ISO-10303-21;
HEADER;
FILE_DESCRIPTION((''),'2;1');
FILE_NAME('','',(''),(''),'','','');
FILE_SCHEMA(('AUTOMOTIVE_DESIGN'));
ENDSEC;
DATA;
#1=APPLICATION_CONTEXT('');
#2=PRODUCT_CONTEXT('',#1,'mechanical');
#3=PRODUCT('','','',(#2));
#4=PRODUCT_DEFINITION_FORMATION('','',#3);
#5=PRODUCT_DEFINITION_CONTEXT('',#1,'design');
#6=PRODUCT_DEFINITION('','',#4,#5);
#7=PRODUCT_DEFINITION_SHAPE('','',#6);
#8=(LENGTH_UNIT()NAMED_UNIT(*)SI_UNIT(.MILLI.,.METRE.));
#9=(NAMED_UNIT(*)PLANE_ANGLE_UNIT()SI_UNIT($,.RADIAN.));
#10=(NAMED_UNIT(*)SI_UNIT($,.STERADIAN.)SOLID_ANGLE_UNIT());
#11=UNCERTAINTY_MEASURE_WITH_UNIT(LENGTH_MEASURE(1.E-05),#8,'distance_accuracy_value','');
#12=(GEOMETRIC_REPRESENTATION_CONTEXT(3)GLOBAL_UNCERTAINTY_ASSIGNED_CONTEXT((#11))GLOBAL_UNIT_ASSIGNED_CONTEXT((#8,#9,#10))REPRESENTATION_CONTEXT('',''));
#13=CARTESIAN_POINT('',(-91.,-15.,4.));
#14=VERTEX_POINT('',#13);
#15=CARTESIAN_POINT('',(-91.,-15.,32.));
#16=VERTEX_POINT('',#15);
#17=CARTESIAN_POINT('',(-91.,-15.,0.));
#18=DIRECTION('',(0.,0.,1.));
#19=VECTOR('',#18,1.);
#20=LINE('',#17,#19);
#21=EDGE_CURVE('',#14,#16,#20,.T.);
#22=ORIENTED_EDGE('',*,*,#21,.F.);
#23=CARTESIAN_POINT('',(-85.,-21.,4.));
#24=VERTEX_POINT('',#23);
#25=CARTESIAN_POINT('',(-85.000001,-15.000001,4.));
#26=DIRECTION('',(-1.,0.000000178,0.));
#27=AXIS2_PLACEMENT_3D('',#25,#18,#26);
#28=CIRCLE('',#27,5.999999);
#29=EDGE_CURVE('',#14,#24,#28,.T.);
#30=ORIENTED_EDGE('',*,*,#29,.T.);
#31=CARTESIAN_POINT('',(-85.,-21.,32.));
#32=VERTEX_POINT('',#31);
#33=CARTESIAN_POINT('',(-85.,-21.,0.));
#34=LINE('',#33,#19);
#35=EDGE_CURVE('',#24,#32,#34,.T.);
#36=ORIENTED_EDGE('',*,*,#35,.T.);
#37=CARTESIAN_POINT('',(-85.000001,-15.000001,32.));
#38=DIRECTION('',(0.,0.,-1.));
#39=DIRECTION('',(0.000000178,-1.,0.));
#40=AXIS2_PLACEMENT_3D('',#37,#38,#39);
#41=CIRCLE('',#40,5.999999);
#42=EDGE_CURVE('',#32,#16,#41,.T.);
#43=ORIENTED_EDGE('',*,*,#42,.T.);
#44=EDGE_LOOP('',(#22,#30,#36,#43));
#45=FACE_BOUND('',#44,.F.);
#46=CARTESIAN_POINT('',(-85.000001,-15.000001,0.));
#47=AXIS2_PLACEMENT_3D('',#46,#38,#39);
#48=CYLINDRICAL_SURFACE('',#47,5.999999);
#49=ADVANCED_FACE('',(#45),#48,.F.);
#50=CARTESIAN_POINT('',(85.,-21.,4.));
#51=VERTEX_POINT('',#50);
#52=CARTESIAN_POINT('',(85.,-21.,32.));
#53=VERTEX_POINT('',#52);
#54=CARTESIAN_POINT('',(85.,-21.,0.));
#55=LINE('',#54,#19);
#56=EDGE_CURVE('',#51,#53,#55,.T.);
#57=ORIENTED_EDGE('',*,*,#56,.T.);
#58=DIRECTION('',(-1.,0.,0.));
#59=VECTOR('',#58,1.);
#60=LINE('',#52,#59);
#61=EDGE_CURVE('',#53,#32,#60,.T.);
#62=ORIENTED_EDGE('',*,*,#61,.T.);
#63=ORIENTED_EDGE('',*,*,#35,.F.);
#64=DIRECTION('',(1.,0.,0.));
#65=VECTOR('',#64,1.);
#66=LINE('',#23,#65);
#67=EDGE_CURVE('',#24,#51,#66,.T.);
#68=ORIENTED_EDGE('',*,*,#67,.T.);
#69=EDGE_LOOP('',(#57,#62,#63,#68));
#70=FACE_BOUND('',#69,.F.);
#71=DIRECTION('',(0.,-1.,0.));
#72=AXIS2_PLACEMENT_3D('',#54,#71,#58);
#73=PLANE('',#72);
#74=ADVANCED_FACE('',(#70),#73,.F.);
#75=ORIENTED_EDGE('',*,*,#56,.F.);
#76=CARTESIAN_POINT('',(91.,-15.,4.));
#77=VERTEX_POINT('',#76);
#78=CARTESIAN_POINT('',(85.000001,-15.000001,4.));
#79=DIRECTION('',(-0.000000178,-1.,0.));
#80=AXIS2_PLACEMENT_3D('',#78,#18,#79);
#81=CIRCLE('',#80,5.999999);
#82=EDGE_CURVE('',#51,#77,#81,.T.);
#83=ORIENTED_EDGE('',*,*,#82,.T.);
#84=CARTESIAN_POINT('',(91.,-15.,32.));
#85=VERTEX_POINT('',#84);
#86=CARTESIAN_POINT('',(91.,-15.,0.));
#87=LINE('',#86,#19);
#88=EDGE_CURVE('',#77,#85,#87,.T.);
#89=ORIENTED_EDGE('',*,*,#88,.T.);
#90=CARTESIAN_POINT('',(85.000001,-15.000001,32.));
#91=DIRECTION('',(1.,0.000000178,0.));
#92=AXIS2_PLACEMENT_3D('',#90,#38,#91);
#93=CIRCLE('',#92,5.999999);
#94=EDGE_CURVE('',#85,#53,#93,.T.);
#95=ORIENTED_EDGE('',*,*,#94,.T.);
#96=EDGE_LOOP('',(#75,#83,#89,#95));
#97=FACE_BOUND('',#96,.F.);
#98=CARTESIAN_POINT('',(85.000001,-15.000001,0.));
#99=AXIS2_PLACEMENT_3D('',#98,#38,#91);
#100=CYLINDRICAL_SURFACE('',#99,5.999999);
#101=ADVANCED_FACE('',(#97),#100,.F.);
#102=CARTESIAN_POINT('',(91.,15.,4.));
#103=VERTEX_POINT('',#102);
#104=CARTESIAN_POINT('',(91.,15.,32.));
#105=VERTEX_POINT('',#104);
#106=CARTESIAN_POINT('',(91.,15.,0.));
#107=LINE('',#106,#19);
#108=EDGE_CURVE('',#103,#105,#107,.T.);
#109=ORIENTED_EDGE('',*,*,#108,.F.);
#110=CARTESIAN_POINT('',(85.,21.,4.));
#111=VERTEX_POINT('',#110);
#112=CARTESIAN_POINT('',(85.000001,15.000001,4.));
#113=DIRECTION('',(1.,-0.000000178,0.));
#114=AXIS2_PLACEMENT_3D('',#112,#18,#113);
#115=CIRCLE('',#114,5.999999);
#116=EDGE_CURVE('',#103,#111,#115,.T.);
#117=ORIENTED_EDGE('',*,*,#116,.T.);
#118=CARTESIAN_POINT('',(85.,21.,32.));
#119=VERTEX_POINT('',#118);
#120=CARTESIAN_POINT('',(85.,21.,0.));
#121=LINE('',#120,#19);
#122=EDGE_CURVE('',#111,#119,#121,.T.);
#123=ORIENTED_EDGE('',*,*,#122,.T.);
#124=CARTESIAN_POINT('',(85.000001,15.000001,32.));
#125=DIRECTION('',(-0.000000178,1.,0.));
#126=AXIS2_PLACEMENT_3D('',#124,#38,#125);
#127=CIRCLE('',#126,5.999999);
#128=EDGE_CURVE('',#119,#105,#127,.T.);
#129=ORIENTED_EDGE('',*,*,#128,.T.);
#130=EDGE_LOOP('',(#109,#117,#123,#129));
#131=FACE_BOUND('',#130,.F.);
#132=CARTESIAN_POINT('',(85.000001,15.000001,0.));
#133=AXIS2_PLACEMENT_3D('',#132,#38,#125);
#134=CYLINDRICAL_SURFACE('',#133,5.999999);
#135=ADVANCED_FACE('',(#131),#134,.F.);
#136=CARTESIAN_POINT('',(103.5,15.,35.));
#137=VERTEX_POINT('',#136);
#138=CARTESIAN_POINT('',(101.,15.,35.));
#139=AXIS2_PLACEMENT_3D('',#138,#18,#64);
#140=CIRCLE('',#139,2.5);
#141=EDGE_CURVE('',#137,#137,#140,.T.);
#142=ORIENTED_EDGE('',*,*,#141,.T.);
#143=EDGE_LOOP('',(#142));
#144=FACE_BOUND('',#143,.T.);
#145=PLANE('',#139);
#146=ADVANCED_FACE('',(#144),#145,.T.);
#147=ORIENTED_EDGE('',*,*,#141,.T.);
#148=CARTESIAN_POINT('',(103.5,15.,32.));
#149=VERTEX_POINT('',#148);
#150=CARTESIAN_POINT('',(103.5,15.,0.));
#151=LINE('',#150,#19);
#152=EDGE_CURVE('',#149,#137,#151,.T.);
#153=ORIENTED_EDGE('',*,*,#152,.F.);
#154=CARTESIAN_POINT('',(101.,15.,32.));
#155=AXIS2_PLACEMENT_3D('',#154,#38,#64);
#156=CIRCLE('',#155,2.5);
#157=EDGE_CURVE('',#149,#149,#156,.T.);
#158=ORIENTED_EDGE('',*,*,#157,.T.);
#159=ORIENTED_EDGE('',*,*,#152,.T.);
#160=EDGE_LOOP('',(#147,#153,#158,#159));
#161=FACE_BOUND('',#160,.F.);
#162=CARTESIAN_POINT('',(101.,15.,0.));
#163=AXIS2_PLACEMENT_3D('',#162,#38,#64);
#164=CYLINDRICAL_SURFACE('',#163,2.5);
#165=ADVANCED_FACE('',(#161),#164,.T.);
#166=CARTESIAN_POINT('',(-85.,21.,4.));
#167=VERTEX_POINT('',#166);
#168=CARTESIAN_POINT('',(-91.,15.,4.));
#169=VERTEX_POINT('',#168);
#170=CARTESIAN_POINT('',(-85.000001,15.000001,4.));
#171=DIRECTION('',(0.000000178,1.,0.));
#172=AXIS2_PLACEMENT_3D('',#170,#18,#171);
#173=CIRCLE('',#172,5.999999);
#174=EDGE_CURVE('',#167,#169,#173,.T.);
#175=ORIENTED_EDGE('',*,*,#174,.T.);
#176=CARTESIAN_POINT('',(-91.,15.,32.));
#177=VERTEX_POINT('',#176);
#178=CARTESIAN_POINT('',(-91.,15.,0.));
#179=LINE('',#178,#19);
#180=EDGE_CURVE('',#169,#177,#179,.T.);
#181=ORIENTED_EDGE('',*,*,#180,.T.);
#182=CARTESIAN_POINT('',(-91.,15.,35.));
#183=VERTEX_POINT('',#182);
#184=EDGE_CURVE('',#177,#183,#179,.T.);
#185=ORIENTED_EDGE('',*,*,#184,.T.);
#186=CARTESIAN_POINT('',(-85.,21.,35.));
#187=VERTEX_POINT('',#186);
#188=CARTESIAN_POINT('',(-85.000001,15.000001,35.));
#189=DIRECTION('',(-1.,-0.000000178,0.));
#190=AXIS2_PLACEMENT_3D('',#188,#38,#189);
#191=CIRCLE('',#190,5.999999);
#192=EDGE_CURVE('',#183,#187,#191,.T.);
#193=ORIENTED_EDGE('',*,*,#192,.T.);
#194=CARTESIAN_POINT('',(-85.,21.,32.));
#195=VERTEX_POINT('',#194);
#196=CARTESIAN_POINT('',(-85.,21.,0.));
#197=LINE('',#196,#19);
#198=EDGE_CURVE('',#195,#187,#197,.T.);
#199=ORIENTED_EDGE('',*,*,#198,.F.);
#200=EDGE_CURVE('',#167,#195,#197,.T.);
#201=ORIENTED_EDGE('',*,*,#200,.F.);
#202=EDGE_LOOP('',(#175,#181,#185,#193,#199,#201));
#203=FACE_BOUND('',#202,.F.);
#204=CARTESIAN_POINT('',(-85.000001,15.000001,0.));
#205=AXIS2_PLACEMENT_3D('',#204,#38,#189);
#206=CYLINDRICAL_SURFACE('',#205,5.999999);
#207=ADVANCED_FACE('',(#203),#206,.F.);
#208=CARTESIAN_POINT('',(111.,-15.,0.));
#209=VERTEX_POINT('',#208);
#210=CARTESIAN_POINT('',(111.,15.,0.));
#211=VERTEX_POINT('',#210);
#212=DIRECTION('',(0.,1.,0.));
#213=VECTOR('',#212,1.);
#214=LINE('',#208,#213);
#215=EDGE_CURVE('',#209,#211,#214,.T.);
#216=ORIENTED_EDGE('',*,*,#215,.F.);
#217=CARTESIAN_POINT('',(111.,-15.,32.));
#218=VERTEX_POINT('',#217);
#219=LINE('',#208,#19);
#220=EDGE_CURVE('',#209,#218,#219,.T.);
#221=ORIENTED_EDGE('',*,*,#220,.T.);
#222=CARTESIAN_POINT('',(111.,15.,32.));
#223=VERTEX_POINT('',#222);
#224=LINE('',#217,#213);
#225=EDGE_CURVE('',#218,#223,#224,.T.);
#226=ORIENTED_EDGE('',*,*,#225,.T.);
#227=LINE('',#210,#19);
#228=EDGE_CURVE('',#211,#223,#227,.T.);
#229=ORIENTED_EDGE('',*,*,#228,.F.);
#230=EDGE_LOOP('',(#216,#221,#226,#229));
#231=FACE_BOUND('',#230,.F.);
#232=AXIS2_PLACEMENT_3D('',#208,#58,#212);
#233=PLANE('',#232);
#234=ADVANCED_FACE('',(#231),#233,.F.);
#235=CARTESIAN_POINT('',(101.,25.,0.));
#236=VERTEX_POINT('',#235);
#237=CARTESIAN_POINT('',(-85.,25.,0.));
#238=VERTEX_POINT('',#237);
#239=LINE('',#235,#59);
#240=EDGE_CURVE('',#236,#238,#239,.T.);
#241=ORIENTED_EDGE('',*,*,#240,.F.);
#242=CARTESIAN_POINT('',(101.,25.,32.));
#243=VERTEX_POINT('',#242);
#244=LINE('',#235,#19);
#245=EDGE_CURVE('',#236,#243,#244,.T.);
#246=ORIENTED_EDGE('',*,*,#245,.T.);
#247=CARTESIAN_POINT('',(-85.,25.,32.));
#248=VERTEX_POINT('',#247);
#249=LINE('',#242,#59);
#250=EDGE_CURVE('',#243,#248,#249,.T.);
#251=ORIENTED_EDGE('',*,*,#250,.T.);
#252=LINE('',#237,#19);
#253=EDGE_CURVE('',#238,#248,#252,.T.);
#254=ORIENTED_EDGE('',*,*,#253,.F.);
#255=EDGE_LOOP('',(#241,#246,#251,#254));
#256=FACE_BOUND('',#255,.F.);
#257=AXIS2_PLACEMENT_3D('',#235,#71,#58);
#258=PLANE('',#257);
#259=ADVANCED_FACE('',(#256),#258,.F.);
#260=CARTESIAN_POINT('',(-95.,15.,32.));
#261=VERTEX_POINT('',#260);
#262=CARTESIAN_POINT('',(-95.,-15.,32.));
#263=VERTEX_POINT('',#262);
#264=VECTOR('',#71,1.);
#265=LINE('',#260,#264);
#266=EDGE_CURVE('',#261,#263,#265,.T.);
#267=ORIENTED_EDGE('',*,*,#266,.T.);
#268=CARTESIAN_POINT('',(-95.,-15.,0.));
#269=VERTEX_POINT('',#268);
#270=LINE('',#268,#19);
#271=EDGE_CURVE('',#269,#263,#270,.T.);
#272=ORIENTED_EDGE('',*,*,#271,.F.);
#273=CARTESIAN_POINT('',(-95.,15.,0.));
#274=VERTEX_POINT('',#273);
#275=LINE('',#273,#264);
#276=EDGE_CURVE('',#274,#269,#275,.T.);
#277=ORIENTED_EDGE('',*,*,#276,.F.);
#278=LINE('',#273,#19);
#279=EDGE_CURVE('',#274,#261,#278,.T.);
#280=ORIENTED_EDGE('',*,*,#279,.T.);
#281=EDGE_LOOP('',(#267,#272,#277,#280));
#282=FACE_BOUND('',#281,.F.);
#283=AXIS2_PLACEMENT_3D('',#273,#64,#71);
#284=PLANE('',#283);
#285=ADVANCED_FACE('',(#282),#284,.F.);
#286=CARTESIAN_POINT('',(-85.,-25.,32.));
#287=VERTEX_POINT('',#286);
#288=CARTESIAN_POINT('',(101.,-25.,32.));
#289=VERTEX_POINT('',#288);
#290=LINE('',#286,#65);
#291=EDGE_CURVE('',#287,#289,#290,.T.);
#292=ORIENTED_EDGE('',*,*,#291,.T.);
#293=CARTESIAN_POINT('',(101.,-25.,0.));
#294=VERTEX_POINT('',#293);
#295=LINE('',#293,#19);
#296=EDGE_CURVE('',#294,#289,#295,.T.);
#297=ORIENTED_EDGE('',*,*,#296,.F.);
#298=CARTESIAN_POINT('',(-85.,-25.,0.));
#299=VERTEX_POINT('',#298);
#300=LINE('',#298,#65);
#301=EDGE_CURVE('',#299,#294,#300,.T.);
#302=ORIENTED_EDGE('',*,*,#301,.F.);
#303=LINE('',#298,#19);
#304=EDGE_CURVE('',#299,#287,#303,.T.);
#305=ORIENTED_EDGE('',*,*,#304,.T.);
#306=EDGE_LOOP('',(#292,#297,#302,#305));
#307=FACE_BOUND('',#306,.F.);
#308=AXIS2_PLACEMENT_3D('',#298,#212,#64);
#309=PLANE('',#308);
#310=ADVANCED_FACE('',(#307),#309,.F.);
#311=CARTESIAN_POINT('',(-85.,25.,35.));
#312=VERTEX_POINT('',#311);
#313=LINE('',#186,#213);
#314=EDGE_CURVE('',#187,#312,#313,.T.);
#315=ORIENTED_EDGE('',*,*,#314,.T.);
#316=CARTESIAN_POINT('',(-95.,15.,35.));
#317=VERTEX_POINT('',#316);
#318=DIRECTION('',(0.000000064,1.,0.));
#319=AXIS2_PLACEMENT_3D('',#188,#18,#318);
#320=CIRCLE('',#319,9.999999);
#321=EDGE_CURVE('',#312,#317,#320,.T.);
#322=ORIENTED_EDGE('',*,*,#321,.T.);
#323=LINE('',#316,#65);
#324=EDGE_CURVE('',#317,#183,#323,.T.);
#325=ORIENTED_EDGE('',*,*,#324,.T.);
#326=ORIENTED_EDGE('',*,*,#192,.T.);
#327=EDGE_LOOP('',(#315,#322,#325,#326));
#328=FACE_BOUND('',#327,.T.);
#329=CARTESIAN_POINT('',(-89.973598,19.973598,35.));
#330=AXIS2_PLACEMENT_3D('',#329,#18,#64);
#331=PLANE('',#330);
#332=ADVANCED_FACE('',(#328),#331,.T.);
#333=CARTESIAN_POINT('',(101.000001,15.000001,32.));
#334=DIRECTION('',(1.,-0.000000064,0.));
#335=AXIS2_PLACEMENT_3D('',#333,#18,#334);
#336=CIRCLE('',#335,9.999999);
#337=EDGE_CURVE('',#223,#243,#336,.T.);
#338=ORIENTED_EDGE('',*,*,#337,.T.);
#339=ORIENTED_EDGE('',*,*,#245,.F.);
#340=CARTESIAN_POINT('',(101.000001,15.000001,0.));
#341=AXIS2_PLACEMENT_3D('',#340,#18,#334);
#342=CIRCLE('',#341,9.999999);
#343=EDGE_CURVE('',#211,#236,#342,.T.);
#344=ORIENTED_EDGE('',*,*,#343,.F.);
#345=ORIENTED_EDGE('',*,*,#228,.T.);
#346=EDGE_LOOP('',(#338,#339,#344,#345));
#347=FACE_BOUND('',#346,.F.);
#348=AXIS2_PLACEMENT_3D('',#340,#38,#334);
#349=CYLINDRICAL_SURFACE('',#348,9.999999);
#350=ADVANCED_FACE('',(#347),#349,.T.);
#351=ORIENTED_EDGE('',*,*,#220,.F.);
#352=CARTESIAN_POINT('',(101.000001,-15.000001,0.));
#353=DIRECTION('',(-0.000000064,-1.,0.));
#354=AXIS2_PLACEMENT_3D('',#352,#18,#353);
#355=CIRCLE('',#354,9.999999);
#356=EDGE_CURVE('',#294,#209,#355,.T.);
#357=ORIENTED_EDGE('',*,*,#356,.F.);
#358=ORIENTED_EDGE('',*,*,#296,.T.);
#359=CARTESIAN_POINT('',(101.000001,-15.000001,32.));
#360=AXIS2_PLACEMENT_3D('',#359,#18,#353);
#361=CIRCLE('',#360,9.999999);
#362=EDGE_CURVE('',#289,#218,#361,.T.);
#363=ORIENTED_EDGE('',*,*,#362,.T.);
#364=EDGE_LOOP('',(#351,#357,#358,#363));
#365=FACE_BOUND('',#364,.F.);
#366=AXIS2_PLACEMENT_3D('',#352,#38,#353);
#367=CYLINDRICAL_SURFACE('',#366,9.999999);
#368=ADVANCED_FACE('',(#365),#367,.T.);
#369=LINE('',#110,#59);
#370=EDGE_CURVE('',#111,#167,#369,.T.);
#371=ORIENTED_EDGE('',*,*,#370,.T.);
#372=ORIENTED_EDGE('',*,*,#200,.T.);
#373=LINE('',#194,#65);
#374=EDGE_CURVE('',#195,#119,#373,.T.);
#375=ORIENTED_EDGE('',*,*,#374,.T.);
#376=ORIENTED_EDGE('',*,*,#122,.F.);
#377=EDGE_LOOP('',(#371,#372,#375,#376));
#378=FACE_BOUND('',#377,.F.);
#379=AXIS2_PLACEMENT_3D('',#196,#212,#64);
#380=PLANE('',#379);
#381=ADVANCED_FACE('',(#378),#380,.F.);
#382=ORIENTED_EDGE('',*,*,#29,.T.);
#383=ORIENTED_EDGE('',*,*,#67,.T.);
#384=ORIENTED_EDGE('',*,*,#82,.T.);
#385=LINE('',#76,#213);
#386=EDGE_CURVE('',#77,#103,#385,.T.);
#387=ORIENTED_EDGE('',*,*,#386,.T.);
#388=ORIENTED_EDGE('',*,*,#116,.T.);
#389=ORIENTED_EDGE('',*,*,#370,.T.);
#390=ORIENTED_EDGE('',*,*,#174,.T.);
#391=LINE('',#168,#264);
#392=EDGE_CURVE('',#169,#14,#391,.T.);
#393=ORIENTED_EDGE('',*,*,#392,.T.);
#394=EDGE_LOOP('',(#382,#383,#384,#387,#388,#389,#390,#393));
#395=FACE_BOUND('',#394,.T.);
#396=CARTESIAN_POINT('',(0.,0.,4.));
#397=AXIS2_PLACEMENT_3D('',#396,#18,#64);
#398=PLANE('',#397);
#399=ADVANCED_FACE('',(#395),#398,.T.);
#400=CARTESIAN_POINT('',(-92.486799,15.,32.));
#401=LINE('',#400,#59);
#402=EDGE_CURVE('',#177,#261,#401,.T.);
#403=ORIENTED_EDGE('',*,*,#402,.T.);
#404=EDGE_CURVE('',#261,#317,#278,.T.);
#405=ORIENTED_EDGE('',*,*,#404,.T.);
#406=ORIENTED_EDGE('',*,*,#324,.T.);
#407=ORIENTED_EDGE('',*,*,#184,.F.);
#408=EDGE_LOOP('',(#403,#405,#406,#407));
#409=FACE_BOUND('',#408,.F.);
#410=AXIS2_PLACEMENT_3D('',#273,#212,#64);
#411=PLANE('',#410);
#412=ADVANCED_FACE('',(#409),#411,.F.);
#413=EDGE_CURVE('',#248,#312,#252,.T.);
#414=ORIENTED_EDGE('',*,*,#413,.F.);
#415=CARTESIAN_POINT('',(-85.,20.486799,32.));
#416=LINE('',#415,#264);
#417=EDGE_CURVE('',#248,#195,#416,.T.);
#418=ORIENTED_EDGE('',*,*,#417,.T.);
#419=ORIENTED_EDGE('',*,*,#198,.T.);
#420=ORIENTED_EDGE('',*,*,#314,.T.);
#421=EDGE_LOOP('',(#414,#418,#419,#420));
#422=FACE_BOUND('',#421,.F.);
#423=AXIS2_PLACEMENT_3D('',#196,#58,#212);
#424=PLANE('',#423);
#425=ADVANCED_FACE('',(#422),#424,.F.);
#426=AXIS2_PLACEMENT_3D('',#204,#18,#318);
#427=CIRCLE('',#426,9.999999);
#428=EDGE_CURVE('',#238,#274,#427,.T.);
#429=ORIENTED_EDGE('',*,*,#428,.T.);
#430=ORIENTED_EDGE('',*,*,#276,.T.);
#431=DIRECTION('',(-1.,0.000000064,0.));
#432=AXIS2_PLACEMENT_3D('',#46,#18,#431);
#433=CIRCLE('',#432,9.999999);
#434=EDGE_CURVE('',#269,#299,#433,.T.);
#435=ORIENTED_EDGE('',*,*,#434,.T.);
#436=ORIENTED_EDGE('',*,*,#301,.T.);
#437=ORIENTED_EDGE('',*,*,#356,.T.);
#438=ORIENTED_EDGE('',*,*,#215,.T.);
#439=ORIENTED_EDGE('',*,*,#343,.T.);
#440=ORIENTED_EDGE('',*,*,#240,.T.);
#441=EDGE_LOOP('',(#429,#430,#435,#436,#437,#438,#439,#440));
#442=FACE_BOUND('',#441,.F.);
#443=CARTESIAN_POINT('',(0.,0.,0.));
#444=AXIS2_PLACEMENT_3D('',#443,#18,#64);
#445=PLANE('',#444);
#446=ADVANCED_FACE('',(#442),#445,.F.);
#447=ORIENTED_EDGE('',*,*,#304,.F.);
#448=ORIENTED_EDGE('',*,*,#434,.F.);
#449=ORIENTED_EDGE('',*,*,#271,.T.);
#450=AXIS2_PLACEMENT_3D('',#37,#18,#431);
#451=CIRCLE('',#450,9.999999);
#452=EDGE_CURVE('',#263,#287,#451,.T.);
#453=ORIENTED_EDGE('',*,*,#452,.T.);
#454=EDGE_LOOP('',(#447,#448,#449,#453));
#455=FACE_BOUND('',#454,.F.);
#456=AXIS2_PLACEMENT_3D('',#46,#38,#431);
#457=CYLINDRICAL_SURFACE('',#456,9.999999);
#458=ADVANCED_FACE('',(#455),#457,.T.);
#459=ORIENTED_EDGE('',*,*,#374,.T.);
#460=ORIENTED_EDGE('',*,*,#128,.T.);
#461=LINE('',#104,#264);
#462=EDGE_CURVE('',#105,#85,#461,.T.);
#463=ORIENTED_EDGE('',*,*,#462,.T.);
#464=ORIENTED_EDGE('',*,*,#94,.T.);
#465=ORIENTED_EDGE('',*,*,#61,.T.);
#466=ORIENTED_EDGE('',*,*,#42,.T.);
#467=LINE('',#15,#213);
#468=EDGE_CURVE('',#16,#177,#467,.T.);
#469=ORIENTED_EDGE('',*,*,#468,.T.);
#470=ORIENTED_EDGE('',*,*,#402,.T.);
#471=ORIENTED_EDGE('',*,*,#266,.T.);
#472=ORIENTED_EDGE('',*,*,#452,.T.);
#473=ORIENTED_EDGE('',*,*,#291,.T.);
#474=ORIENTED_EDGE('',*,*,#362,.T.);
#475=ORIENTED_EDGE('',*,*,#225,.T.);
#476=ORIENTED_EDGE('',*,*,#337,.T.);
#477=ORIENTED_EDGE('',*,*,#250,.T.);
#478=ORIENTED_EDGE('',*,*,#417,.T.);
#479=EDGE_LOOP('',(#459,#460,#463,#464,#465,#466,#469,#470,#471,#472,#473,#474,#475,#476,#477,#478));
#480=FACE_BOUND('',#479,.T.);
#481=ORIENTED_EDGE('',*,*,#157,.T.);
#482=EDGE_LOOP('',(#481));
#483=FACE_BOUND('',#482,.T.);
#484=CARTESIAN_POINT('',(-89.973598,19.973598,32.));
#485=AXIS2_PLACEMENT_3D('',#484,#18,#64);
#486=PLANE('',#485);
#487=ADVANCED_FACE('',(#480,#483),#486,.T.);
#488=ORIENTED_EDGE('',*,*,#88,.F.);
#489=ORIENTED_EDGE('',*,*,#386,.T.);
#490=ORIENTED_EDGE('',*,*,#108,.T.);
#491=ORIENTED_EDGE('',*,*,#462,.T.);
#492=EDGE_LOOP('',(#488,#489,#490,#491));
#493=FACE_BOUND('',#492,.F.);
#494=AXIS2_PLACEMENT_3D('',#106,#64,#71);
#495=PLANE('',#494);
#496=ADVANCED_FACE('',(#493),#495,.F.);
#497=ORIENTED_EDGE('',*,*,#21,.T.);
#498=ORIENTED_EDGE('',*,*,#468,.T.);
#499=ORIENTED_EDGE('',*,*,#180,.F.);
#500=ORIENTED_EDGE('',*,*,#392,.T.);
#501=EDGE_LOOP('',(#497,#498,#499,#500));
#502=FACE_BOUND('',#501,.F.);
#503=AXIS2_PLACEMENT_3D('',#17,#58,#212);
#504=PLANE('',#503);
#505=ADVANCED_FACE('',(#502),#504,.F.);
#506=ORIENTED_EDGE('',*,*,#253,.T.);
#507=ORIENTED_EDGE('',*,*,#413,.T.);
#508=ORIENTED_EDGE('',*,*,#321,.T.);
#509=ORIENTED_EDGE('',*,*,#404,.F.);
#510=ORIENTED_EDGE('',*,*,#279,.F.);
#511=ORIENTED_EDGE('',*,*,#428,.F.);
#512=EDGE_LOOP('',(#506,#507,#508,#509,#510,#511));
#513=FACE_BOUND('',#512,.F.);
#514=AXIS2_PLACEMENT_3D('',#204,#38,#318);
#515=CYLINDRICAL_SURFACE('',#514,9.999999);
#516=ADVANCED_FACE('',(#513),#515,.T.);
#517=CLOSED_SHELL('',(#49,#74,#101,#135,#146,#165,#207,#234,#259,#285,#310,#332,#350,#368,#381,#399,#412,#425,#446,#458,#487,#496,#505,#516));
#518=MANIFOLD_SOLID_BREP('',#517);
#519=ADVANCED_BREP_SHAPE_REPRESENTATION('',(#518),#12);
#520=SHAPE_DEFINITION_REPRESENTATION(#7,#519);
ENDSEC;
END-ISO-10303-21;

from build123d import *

# Parameters (mm, degrees)
F0_R     = 2.5
F1_DEPTH = 32
F2_DEPTH = 35
F3_DEPTH = 4


with BuildPart() as f1:
    # F0 (on Top) → F1 (new body)
    with BuildSketch(Plane.XY):
        with BuildLine():
            Line((-95, 15), (-91, 15))
            ThreePointArc((-91, 15), (-89.242641, 19.242641), (-85, 21))
            Line((-85, 21), (-85, 25))
            ThreePointArc((-85, 25), (-92.071068, 22.071068), (-95, 15))
        make_face()
        with BuildLine():
            ThreePointArc((91, -15), (89.242641, -19.242641), (85, -21))
            Line((85, -21), (-85, -21))
            ThreePointArc((-85, -21), (-89.242641, -19.242641), (-91, -15))
            Line((-91, -15), (-91, 15))
            Line((-91, 15), (-95, 15))
            Line((-95, 15), (-95, -15))
            ThreePointArc((-95, -15), (-92.071068, -22.071068), (-85, -25))
            Line((-85, -25), (101, -25))
            ThreePointArc((101, -25), (108.071068, -22.071068), (111, -15))
            Line((111, -15), (111, 15))
            ThreePointArc((111, 15), (108.071068, 22.071068), (101, 25))
            Line((101, 25), (-85, 25))
            Line((-85, 25), (-85, 21))
            Line((-85, 21), (85, 21))
            ThreePointArc((85, 21), (89.242641, 19.242641), (91, 15))
            Line((91, 15), (91, -15))
        make_face()
        with Locations((101, 15)):
            Circle(F0_R, mode=Mode.SUBTRACT)
        with Locations((101, 15)):
            Circle(F0_R)
    extrude(amount=F1_DEPTH)

    # F0 (on Top) → F2 (join)
    with BuildSketch(Plane.XY):
        with BuildLine():
            Line((-95, 15), (-91, 15))
            ThreePointArc((-91, 15), (-89.242641, 19.242641), (-85, 21))
            Line((-85, 21), (-85, 25))
            ThreePointArc((-85, 25), (-92.071068, 22.071068), (-95, 15))
        make_face()
        with Locations((101, 15)):
            Circle(F0_R)
    extrude(amount=F2_DEPTH)

    # F0 (on Top) → F3 (join)
    with BuildSketch(Plane.XY):
        with BuildLine():
            Line((-85, -21), (85, -21))
            ThreePointArc((85, -21), (89.242641, -19.242641), (91, -15))
            Line((91, -15), (91, 15))
            ThreePointArc((91, 15), (89.242641, 19.242641), (85, 21))
            Line((85, 21), (-85, 21))
            ThreePointArc((-85, 21), (-89.242641, 19.242641), (-91, 15))
            Line((-91, 15), (-91, -15))
            ThreePointArc((-91, -15), (-89.242641, -19.242641), (-85, -21))
        make_face()
    extrude(amount=F3_DEPTH)


solid = f1.part
